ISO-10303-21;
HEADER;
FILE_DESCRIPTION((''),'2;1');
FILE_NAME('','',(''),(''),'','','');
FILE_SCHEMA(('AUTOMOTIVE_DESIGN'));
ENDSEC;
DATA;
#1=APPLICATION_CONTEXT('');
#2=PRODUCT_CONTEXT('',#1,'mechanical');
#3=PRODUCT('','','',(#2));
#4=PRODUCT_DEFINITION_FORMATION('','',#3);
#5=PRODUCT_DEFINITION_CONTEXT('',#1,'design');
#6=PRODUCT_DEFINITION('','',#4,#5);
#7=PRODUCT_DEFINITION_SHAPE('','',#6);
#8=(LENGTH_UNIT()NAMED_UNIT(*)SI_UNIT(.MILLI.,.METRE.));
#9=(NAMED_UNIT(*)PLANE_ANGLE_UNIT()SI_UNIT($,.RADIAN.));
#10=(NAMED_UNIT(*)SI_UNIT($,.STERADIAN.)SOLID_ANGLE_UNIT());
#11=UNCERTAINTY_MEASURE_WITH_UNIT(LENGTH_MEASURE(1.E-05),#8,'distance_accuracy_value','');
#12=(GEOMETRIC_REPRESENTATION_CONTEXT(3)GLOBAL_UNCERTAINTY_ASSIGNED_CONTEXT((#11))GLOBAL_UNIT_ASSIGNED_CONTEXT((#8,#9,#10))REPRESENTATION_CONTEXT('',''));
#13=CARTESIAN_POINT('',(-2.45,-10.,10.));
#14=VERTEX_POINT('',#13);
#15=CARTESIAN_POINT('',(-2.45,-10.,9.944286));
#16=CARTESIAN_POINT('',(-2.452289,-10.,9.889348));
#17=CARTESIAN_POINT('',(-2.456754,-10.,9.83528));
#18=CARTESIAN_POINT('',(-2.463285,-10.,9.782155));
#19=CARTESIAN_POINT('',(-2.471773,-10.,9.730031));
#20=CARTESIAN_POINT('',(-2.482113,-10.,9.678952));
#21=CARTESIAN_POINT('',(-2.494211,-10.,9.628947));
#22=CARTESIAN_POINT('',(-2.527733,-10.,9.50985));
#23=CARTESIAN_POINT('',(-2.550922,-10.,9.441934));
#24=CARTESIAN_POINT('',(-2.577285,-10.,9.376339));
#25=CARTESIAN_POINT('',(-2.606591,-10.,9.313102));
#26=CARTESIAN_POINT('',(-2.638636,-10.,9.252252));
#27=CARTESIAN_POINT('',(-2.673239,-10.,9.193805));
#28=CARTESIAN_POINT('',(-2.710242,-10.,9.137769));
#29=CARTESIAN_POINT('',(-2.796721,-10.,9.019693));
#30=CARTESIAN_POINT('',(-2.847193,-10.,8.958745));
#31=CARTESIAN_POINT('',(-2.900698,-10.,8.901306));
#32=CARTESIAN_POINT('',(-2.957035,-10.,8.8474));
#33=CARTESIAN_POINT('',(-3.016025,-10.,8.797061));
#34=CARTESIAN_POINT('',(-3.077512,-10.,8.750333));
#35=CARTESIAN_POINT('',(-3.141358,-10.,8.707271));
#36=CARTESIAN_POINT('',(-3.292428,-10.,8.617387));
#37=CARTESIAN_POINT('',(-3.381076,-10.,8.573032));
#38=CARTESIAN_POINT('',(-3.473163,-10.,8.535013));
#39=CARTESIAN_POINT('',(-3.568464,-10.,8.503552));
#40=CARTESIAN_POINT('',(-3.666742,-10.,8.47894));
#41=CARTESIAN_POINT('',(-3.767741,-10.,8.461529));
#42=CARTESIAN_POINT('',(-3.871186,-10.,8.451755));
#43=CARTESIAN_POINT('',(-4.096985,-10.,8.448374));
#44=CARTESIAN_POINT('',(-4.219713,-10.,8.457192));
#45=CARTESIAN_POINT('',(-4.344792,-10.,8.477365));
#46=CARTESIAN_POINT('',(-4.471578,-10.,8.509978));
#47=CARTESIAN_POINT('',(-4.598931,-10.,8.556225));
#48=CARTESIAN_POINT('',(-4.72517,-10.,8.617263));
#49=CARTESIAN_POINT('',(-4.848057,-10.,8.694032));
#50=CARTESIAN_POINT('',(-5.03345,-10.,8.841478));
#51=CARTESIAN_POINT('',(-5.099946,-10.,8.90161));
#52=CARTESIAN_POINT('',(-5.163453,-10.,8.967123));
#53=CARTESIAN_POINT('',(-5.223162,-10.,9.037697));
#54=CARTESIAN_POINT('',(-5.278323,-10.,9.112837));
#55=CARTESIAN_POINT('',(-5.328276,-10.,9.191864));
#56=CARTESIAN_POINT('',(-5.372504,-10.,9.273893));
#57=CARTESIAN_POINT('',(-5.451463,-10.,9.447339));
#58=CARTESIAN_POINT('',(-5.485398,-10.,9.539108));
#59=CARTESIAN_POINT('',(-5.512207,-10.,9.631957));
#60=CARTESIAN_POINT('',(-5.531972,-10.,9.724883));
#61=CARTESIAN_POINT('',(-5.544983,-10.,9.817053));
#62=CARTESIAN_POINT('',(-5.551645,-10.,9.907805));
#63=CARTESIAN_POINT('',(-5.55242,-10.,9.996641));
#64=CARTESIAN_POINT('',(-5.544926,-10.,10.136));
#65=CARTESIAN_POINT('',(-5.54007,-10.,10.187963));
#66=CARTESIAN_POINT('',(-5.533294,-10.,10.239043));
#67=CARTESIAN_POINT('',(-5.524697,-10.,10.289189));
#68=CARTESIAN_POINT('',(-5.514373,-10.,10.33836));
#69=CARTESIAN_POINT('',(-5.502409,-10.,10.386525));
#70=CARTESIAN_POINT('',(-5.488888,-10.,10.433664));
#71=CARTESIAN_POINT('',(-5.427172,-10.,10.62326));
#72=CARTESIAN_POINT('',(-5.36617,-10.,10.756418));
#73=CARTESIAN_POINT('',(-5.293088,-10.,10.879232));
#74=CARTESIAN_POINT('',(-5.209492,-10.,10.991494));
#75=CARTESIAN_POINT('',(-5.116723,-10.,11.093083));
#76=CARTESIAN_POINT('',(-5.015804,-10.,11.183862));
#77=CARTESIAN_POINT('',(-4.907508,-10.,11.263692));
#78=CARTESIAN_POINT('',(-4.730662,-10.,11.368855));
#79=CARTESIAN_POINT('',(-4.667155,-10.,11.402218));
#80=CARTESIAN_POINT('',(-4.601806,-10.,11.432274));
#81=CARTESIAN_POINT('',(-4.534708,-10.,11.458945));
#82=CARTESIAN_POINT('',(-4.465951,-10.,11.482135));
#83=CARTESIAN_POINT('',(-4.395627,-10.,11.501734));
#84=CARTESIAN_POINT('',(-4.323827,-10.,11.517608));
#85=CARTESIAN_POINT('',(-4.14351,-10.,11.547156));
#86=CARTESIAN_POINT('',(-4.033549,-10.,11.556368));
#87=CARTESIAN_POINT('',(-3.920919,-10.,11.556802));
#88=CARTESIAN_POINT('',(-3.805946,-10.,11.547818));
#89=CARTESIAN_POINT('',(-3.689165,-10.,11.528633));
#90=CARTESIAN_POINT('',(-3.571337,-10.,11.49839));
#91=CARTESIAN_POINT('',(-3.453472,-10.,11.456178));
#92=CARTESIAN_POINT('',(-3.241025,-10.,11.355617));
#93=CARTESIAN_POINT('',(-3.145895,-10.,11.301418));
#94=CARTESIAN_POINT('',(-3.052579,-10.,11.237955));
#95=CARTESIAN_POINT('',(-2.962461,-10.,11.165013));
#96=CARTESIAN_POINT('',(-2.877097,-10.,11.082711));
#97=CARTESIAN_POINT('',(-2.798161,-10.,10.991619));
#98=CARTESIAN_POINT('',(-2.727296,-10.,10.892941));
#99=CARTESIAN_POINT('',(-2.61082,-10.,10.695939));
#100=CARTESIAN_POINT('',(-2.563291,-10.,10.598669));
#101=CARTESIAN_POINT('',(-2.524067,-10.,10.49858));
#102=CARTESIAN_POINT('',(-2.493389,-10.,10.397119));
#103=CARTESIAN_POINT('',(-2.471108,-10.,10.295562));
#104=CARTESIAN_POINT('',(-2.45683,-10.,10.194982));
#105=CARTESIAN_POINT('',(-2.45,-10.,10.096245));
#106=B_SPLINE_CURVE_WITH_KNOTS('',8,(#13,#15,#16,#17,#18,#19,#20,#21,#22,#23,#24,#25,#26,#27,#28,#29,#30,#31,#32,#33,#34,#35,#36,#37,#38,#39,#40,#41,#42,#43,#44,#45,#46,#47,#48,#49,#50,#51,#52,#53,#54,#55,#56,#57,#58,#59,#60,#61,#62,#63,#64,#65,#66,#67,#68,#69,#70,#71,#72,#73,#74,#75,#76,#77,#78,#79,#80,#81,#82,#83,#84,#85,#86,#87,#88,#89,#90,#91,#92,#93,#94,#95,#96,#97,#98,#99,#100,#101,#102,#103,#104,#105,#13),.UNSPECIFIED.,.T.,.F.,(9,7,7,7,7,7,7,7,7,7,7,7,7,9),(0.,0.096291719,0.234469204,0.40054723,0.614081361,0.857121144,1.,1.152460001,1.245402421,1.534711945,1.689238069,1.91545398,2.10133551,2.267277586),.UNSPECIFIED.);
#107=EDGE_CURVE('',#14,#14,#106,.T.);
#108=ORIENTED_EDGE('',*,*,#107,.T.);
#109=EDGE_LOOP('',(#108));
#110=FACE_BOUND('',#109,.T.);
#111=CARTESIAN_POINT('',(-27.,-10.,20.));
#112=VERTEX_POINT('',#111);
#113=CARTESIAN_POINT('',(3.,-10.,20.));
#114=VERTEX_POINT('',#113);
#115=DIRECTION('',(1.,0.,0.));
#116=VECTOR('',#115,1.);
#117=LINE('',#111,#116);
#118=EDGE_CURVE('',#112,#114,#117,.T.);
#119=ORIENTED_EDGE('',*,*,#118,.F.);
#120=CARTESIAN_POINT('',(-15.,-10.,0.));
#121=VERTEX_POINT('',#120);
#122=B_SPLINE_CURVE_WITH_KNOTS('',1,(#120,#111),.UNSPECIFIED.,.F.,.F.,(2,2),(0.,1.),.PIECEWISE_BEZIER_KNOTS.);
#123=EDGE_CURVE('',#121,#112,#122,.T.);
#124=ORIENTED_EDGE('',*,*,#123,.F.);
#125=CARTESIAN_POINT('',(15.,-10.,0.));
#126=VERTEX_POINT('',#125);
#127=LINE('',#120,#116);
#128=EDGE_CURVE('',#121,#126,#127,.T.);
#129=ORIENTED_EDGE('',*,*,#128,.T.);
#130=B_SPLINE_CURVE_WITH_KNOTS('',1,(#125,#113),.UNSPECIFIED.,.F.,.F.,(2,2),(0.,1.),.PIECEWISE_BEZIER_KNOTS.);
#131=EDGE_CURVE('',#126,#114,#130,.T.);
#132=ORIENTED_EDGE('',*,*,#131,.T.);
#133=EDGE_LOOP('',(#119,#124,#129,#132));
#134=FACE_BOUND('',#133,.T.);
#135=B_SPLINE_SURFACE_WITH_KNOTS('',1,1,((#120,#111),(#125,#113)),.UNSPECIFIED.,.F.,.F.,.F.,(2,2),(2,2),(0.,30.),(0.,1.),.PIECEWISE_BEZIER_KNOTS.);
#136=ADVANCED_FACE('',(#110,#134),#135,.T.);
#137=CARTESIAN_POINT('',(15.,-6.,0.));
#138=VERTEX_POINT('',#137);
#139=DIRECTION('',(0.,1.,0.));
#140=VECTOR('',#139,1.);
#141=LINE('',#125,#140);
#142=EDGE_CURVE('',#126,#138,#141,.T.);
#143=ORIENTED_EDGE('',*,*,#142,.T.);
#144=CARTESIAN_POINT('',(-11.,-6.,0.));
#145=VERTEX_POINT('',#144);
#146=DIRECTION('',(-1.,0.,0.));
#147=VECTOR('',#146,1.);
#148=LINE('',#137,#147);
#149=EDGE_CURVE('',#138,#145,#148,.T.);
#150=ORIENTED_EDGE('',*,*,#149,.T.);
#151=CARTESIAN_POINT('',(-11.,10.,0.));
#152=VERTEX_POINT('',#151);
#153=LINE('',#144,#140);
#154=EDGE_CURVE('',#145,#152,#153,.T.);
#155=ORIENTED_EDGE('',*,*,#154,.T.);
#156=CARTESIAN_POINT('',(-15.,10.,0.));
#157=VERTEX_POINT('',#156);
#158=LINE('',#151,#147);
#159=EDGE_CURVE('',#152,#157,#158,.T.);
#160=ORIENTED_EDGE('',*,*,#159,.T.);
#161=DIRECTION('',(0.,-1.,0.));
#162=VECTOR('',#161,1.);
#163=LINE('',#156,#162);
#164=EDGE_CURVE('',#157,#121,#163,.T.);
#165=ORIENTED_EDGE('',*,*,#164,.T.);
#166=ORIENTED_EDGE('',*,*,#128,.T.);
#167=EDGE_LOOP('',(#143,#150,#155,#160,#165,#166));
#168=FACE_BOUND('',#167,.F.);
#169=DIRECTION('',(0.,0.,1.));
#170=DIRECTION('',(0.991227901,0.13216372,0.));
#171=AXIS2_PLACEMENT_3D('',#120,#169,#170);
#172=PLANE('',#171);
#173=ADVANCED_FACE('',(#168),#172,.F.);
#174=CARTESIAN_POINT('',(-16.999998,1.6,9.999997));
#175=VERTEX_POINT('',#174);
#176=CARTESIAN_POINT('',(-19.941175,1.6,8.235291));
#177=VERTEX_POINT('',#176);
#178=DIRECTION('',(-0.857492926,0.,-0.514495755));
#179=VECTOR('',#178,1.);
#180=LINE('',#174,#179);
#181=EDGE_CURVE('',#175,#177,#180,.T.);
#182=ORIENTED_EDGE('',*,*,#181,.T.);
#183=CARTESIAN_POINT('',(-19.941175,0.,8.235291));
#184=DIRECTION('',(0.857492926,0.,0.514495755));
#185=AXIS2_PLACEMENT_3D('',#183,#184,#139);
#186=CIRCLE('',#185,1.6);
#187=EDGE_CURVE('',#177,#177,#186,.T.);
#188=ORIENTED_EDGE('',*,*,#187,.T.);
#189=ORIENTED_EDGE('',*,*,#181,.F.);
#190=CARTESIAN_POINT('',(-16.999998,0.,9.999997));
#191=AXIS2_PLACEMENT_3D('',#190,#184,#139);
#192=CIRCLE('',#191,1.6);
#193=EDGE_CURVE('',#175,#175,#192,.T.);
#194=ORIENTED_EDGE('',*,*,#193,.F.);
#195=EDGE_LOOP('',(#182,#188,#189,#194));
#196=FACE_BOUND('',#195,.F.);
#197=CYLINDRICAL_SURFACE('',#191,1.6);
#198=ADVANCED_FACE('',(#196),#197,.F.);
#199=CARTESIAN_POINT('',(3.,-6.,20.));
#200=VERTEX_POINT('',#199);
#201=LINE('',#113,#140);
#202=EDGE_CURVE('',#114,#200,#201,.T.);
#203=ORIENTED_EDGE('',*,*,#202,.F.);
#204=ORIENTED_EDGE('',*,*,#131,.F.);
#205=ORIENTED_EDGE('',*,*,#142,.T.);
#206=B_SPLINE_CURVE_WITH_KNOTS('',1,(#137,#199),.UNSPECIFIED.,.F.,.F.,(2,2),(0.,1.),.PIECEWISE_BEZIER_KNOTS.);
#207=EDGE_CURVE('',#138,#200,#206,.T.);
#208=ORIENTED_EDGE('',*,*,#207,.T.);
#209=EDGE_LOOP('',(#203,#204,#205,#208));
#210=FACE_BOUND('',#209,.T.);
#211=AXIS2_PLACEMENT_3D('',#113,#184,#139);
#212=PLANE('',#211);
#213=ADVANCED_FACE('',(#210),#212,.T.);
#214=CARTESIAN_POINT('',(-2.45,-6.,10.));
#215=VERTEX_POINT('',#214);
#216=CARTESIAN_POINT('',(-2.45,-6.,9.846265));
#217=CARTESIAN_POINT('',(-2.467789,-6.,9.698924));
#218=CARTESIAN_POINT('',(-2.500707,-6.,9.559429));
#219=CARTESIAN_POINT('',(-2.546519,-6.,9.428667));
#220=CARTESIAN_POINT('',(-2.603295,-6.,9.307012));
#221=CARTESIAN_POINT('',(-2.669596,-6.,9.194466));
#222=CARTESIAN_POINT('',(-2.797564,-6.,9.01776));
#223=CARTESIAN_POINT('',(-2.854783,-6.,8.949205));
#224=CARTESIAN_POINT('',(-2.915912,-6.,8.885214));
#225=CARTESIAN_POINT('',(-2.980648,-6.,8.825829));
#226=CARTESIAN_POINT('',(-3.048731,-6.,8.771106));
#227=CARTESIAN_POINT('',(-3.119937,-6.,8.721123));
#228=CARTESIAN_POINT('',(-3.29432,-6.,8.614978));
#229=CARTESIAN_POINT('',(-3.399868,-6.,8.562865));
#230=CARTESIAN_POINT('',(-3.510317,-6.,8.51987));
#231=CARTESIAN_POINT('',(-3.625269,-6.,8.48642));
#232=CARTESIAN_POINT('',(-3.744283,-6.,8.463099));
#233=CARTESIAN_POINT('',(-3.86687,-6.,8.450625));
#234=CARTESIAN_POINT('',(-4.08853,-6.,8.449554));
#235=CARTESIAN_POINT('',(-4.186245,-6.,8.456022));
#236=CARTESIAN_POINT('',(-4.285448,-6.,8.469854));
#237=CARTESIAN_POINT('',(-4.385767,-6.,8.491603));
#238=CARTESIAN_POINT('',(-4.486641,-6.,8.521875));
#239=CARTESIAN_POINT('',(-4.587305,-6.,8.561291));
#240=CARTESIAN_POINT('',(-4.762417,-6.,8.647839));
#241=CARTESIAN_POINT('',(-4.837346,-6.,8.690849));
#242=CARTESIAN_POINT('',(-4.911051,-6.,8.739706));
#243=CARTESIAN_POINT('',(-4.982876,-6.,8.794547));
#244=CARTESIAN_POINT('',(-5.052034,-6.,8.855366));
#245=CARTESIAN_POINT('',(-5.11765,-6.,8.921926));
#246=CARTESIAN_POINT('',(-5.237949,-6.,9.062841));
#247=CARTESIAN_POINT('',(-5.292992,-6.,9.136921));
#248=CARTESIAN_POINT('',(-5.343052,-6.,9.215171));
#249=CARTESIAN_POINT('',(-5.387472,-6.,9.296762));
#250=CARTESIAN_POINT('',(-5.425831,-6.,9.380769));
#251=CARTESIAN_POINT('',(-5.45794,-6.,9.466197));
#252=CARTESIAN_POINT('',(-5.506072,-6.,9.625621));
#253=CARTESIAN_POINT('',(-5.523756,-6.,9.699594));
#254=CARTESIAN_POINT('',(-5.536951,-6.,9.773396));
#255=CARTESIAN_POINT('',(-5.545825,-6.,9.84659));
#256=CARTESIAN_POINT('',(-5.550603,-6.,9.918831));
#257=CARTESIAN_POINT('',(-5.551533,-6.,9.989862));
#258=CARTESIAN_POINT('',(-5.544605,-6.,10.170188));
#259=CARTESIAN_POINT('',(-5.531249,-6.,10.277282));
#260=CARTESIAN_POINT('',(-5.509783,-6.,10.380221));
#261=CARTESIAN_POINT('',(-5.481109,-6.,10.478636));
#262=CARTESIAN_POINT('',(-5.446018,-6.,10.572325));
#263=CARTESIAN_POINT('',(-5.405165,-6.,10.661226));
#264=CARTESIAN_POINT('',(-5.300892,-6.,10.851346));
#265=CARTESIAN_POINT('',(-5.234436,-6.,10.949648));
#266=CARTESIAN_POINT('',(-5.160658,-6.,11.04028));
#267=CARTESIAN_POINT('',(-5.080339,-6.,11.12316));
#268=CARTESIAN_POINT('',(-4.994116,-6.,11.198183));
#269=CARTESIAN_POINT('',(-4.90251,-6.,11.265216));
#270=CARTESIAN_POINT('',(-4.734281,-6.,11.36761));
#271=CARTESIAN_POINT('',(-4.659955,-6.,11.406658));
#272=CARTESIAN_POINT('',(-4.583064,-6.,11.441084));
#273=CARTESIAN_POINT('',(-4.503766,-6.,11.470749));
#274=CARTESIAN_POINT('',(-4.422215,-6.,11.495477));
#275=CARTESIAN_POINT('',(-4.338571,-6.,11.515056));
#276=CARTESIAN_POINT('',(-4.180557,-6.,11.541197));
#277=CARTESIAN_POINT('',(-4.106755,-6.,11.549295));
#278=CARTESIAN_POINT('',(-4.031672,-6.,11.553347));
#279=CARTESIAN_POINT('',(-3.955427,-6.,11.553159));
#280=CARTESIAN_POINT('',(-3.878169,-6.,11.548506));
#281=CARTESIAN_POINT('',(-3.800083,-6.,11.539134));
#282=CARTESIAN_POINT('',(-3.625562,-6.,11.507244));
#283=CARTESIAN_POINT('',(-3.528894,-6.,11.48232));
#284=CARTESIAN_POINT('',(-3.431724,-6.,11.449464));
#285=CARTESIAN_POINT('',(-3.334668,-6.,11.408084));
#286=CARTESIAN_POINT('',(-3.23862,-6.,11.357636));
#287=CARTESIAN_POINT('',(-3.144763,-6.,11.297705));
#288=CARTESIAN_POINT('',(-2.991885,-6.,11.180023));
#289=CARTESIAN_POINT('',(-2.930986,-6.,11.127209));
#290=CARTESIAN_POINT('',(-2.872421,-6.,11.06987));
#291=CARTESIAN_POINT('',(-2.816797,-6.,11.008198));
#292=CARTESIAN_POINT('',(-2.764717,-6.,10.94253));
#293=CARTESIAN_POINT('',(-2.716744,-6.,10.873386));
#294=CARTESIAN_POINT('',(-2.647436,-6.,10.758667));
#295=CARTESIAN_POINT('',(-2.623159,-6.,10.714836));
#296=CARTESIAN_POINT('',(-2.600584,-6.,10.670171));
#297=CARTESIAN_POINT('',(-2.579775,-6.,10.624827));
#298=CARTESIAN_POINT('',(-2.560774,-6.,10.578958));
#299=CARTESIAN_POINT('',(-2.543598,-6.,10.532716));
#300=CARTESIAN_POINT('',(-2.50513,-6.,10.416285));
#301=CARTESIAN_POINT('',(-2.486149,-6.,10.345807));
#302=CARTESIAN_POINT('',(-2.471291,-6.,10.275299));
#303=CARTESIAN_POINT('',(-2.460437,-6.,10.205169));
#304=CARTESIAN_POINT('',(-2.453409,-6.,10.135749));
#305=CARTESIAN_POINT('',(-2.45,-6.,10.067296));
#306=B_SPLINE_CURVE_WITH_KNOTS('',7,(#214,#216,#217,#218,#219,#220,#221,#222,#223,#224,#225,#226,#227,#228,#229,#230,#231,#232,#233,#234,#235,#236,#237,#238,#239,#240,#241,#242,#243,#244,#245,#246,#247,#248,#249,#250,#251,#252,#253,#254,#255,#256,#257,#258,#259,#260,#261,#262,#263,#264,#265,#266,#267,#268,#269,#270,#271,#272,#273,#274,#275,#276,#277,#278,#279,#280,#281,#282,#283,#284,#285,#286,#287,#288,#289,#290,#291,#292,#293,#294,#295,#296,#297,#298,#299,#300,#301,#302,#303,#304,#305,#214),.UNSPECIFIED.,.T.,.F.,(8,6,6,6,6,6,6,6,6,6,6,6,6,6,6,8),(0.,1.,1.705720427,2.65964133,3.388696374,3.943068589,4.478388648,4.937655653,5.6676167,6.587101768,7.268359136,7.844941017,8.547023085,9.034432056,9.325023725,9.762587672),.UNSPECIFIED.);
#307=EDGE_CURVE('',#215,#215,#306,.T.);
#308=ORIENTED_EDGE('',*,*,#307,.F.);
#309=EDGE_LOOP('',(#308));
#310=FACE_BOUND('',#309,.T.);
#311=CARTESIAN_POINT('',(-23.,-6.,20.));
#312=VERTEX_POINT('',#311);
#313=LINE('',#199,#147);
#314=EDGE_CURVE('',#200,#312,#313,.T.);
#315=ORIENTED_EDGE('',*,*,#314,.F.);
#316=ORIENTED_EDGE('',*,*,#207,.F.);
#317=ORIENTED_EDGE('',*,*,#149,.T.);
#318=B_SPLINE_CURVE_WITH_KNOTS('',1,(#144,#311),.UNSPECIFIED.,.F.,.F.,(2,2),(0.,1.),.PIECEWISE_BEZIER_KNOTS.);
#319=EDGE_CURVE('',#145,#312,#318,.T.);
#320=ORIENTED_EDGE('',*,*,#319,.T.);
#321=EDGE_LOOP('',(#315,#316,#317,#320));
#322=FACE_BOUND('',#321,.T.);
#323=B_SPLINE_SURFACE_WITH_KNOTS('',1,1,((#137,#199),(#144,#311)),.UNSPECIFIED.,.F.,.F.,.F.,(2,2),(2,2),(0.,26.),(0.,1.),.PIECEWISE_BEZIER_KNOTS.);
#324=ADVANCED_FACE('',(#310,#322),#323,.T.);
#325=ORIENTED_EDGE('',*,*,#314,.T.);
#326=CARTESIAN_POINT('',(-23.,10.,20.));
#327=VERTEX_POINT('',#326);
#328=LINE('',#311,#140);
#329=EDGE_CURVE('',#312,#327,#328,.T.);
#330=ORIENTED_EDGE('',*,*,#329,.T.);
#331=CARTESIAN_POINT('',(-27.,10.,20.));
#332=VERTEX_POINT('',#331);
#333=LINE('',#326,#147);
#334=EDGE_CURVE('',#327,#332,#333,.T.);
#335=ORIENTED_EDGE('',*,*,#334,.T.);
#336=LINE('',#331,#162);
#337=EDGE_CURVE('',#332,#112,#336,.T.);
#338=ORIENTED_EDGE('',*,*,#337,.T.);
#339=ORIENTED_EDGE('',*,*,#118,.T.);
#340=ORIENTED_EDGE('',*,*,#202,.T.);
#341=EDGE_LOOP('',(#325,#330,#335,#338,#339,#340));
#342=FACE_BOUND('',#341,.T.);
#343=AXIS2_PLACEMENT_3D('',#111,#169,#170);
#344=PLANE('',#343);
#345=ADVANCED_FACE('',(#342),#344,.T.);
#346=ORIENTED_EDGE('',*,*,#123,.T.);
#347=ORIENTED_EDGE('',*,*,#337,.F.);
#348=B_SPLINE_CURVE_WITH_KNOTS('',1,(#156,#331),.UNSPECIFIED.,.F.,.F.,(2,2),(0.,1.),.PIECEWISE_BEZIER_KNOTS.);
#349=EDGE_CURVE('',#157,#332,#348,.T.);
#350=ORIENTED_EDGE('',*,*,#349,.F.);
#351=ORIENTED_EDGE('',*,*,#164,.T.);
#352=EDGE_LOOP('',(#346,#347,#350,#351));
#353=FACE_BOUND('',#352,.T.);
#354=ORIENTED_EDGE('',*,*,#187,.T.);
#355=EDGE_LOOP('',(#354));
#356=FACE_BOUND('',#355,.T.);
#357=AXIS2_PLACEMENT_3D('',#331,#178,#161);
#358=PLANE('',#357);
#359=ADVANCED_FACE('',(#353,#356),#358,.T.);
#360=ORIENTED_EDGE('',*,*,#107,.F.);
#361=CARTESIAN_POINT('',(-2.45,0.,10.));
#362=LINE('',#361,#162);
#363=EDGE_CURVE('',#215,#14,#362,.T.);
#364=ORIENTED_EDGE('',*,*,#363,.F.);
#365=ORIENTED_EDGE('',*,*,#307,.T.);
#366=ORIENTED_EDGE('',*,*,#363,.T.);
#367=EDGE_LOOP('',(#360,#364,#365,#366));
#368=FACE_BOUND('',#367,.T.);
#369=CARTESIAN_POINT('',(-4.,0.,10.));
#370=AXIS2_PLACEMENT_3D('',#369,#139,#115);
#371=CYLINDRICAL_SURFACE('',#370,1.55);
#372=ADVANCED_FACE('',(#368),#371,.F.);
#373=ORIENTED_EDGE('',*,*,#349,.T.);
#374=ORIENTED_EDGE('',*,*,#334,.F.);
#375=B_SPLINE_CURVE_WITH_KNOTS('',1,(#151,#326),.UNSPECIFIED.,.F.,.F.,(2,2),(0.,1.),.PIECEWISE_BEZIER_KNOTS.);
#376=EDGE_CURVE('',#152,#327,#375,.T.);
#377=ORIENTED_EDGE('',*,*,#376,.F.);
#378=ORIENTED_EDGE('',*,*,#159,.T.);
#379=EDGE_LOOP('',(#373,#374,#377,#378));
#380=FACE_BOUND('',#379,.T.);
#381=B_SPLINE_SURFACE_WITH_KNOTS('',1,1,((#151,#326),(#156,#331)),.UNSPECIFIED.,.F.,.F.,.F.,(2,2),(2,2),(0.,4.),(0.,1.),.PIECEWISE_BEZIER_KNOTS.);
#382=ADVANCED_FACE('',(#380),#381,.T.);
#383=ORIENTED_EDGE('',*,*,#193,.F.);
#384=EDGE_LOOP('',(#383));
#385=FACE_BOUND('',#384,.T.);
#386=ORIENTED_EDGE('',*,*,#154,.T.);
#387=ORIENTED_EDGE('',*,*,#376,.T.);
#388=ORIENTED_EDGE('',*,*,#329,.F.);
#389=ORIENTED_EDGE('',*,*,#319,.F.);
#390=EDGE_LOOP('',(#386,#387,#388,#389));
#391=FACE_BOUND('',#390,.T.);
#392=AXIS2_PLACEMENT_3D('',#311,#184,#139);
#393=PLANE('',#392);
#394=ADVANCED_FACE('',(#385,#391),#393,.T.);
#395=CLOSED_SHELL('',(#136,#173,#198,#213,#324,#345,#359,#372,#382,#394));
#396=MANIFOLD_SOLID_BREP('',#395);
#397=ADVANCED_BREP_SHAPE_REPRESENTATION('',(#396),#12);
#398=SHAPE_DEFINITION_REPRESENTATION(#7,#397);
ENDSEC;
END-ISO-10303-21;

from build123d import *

# Parameters (mm, degrees)
SKETCH171_R          = 1.55
POCKET093_DEPTH      = 10.0010001
POCKET093_DEPTH_BACK = 10.0010001
SKETCH183_R          = 1.6
POCKET099_DEPTH      = 5


with BuildPart() as part:
    # Sketch169 → AdditiveLoft006 section 0
    with BuildSketch(Plane.XY):
        Polygon((-15, -10), (15, -10), (15, -6), (-11, -6), (-11, 10), (-15, 10), align=None)
    # Sketch170 → AdditiveLoft006 section 1
    with BuildSketch(Plane(origin=(-12, 0, 20), x_dir=(1, 0, 0), z_dir=(0, 0, 1))):
        Polygon((-15, -10), (15, -10), (15, -6), (-11, -6), (-11, 10), (-15, 10), align=None)
    loft()

    # Sketch171 → Pocket093 (cut, two sides)
    with BuildSketch(Plane.XZ) as pocket093_sk:
        with Locations((-4, 10)):
            Circle(SKETCH171_R)
    extrude(amount=-POCKET093_DEPTH, mode=Mode.SUBTRACT)
    extrude(pocket093_sk.sketch, amount=POCKET093_DEPTH_BACK, mode=Mode.SUBTRACT)

    # Sketch183 (on Face5 of Pocket093) → Pocket099 (cut)
    with BuildSketch(Plane(origin=(-8.0882352941, 0, -4.8529411765), x_dir=(0, 1, 0), z_dir=(0.8574929257, 0, 0.5144957554))):
        with Locations((0, 17.3213533097)):
            Circle(SKETCH183_R)
    extrude(amount=-POCKET099_DEPTH, mode=Mode.SUBTRACT)


solid = part.part
